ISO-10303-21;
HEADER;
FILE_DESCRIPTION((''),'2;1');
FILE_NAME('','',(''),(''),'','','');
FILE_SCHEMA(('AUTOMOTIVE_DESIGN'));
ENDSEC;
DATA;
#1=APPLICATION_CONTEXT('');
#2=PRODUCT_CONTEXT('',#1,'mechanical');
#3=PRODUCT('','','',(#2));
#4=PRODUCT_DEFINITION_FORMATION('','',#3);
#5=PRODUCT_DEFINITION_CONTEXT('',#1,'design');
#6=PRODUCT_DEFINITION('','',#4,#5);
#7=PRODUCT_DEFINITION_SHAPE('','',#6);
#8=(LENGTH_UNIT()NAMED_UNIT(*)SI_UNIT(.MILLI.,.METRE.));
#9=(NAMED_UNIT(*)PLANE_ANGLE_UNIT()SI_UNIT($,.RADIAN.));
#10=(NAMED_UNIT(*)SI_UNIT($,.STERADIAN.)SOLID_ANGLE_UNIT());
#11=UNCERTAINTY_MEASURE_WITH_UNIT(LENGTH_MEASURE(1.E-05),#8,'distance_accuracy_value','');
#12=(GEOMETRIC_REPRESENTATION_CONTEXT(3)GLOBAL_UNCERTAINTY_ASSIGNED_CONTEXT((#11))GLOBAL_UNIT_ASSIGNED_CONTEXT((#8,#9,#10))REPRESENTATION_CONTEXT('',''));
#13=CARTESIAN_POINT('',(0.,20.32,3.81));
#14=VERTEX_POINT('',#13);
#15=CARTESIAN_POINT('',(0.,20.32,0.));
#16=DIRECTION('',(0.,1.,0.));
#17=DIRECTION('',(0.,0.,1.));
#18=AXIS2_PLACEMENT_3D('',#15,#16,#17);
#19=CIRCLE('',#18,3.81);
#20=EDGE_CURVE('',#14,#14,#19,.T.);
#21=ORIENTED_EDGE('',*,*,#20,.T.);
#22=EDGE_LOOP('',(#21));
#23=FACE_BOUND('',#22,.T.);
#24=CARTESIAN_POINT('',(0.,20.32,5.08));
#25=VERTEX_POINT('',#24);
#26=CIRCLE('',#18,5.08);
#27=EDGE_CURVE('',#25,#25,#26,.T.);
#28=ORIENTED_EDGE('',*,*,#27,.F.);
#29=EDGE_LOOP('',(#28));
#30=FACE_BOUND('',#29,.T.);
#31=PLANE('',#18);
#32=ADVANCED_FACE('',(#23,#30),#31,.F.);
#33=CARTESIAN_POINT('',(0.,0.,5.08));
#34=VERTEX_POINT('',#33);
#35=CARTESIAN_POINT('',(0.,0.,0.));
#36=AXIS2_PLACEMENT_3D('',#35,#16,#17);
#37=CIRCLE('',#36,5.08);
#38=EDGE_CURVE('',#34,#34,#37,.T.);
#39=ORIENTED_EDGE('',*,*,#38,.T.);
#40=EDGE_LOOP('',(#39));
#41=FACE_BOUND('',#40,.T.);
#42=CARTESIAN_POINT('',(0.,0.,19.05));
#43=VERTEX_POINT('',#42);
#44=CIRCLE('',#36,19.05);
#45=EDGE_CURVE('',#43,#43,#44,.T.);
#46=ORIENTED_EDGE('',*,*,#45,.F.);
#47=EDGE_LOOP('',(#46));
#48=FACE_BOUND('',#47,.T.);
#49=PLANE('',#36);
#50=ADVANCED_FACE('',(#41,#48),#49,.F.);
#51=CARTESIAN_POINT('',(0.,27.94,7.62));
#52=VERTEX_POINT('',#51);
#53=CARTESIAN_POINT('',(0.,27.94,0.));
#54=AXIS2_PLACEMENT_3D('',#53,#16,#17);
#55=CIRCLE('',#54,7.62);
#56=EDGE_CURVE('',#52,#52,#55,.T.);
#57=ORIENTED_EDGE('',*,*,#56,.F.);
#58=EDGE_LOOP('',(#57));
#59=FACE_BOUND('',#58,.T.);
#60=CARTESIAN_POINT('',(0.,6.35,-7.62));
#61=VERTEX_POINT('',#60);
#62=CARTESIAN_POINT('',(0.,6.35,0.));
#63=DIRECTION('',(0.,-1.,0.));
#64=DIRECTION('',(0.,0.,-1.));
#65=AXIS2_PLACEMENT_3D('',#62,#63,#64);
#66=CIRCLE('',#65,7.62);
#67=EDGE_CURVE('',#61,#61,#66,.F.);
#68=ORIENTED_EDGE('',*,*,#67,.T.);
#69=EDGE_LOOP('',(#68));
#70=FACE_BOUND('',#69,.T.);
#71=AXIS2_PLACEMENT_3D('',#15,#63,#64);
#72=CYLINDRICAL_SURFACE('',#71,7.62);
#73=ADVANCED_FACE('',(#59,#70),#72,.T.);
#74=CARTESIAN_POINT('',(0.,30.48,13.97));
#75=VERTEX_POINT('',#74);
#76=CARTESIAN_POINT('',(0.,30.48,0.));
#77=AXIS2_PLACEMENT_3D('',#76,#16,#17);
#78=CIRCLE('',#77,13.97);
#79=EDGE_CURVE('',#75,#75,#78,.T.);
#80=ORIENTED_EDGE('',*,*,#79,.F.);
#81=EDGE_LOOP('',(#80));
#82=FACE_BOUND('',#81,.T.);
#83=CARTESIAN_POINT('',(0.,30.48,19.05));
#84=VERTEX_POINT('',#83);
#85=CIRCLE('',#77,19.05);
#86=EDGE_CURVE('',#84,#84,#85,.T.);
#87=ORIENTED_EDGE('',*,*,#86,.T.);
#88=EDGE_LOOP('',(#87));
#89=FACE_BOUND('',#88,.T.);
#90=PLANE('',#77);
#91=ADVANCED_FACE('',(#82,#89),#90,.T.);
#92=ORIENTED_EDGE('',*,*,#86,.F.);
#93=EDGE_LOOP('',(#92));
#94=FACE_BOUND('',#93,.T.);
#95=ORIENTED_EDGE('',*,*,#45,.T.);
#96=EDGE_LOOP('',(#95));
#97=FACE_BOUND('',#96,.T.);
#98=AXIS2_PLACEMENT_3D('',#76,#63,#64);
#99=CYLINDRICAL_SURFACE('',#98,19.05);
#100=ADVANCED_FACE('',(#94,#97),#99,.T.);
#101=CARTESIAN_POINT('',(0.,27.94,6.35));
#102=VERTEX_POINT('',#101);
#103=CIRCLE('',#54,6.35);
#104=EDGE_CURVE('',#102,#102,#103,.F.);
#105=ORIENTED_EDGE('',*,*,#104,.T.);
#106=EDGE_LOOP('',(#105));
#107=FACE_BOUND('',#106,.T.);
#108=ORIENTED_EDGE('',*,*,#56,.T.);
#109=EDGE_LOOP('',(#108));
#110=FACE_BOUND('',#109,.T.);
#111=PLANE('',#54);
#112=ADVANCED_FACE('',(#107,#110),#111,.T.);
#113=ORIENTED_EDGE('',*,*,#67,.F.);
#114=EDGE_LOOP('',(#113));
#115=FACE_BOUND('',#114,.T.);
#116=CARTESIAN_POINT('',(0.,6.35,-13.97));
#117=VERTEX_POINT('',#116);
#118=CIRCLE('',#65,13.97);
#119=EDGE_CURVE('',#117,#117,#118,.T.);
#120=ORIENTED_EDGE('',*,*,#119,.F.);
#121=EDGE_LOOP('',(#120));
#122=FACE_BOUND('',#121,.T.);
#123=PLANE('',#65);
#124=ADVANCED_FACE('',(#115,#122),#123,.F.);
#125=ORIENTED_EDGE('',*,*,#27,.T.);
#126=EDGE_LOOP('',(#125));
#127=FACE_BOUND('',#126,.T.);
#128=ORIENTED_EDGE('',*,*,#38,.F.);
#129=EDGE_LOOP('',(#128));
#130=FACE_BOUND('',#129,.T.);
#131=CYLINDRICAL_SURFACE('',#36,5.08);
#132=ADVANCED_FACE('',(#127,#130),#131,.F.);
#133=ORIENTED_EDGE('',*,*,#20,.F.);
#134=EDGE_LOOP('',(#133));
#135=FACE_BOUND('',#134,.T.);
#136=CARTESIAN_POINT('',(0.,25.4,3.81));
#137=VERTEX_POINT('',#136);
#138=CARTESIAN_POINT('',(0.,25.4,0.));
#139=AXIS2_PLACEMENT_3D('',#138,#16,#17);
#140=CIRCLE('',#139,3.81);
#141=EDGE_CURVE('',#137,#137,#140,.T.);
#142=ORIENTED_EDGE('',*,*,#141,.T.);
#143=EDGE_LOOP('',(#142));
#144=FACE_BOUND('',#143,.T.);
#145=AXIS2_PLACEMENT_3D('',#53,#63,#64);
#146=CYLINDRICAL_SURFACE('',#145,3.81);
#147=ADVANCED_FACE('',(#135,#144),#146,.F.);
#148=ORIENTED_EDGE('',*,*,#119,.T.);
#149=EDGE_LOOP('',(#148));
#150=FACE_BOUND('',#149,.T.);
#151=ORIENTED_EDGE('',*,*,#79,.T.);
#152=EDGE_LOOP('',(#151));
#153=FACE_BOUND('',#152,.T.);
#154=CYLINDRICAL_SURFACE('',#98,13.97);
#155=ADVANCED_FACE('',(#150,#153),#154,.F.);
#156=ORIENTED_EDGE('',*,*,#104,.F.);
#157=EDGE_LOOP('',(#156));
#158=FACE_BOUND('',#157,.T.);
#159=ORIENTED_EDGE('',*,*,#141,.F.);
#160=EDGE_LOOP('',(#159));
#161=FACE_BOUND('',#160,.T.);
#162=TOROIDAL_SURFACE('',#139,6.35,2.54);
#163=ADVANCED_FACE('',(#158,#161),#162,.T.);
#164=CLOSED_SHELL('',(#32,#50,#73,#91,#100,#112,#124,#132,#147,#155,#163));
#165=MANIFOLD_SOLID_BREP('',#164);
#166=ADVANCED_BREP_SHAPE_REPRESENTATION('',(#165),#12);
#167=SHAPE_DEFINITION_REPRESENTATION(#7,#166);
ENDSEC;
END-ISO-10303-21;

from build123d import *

# Parameters (mm, degrees)
SKETCH1_R           = 19.05
SKETCH1_R_2         = 13.97
BOSS_EXTRUDE1_DEPTH = 30.48
SKETCH2_R           = 13.97
BOSS_EXTRUDE2_DEPTH = 6.35
SKETCH7_R           = 5.08
CUT_EXTRUDE4_DEPTH  = 7.35
SKETCH9_R           = 7.62
SKETCH9_R_2         = 5.08
BOSS_EXTRUDE3_DEPTH = 13.97
SKETCH10_R          = 7.62
SKETCH10_R_2        = 3.81
BOSS_EXTRUDE4_DEPTH = 7.62
FILLET1_R           = 2.54


with BuildPart() as part:
    # Sketch1 → Boss-Extrude1 (new body)
    with BuildSketch(Plane(origin=(0, 0, 0), x_dir=(1, 0, 0), z_dir=(0, 1, 0))):
        Circle(SKETCH1_R)
        Circle(SKETCH1_R_2, mode=Mode.SUBTRACT)
    extrude(amount=BOSS_EXTRUDE1_DEPTH)

    # Sketch2 → Boss-Extrude2 (add)
    with BuildSketch(Plane.XZ):
        Circle(SKETCH2_R)
    extrude(amount=-BOSS_EXTRUDE2_DEPTH)

    # Sketch7 → Cut-Extrude4 (cut, through all)
    with BuildSketch(Plane(origin=(0, 6.35, 0), x_dir=(1, 0, 0), z_dir=(0, 1, 0))):
        Circle(SKETCH7_R)
    extrude(amount=-CUT_EXTRUDE4_DEPTH, mode=Mode.SUBTRACT)

    # Sketch9 → Boss-Extrude3 (add)
    with BuildSketch(Plane(origin=(0, 6.35, 0), x_dir=(1, 0, 0), z_dir=(0, 1, 0))):
        Circle(SKETCH9_R)
        Circle(SKETCH9_R_2, mode=Mode.SUBTRACT)
    extrude(amount=BOSS_EXTRUDE3_DEPTH)

    # Sketch10 → Boss-Extrude4 (add)
    with BuildSketch(Plane(origin=(0, 20.32, 0), x_dir=(1, 0, 0), z_dir=(0, 1, 0))):
        Circle(SKETCH10_R)
        Circle(SKETCH10_R_2, mode=Mode.SUBTRACT)
    extrude(amount=BOSS_EXTRUDE4_DEPTH)

    # Fillet1
    fillet1_edges = [part.edges().sort_by_distance(p)[0] for p in [
        (-3.81, 27.94, 0),
    ]]
    fillet(fillet1_edges, radius=FILLET1_R)


solid = part.part
